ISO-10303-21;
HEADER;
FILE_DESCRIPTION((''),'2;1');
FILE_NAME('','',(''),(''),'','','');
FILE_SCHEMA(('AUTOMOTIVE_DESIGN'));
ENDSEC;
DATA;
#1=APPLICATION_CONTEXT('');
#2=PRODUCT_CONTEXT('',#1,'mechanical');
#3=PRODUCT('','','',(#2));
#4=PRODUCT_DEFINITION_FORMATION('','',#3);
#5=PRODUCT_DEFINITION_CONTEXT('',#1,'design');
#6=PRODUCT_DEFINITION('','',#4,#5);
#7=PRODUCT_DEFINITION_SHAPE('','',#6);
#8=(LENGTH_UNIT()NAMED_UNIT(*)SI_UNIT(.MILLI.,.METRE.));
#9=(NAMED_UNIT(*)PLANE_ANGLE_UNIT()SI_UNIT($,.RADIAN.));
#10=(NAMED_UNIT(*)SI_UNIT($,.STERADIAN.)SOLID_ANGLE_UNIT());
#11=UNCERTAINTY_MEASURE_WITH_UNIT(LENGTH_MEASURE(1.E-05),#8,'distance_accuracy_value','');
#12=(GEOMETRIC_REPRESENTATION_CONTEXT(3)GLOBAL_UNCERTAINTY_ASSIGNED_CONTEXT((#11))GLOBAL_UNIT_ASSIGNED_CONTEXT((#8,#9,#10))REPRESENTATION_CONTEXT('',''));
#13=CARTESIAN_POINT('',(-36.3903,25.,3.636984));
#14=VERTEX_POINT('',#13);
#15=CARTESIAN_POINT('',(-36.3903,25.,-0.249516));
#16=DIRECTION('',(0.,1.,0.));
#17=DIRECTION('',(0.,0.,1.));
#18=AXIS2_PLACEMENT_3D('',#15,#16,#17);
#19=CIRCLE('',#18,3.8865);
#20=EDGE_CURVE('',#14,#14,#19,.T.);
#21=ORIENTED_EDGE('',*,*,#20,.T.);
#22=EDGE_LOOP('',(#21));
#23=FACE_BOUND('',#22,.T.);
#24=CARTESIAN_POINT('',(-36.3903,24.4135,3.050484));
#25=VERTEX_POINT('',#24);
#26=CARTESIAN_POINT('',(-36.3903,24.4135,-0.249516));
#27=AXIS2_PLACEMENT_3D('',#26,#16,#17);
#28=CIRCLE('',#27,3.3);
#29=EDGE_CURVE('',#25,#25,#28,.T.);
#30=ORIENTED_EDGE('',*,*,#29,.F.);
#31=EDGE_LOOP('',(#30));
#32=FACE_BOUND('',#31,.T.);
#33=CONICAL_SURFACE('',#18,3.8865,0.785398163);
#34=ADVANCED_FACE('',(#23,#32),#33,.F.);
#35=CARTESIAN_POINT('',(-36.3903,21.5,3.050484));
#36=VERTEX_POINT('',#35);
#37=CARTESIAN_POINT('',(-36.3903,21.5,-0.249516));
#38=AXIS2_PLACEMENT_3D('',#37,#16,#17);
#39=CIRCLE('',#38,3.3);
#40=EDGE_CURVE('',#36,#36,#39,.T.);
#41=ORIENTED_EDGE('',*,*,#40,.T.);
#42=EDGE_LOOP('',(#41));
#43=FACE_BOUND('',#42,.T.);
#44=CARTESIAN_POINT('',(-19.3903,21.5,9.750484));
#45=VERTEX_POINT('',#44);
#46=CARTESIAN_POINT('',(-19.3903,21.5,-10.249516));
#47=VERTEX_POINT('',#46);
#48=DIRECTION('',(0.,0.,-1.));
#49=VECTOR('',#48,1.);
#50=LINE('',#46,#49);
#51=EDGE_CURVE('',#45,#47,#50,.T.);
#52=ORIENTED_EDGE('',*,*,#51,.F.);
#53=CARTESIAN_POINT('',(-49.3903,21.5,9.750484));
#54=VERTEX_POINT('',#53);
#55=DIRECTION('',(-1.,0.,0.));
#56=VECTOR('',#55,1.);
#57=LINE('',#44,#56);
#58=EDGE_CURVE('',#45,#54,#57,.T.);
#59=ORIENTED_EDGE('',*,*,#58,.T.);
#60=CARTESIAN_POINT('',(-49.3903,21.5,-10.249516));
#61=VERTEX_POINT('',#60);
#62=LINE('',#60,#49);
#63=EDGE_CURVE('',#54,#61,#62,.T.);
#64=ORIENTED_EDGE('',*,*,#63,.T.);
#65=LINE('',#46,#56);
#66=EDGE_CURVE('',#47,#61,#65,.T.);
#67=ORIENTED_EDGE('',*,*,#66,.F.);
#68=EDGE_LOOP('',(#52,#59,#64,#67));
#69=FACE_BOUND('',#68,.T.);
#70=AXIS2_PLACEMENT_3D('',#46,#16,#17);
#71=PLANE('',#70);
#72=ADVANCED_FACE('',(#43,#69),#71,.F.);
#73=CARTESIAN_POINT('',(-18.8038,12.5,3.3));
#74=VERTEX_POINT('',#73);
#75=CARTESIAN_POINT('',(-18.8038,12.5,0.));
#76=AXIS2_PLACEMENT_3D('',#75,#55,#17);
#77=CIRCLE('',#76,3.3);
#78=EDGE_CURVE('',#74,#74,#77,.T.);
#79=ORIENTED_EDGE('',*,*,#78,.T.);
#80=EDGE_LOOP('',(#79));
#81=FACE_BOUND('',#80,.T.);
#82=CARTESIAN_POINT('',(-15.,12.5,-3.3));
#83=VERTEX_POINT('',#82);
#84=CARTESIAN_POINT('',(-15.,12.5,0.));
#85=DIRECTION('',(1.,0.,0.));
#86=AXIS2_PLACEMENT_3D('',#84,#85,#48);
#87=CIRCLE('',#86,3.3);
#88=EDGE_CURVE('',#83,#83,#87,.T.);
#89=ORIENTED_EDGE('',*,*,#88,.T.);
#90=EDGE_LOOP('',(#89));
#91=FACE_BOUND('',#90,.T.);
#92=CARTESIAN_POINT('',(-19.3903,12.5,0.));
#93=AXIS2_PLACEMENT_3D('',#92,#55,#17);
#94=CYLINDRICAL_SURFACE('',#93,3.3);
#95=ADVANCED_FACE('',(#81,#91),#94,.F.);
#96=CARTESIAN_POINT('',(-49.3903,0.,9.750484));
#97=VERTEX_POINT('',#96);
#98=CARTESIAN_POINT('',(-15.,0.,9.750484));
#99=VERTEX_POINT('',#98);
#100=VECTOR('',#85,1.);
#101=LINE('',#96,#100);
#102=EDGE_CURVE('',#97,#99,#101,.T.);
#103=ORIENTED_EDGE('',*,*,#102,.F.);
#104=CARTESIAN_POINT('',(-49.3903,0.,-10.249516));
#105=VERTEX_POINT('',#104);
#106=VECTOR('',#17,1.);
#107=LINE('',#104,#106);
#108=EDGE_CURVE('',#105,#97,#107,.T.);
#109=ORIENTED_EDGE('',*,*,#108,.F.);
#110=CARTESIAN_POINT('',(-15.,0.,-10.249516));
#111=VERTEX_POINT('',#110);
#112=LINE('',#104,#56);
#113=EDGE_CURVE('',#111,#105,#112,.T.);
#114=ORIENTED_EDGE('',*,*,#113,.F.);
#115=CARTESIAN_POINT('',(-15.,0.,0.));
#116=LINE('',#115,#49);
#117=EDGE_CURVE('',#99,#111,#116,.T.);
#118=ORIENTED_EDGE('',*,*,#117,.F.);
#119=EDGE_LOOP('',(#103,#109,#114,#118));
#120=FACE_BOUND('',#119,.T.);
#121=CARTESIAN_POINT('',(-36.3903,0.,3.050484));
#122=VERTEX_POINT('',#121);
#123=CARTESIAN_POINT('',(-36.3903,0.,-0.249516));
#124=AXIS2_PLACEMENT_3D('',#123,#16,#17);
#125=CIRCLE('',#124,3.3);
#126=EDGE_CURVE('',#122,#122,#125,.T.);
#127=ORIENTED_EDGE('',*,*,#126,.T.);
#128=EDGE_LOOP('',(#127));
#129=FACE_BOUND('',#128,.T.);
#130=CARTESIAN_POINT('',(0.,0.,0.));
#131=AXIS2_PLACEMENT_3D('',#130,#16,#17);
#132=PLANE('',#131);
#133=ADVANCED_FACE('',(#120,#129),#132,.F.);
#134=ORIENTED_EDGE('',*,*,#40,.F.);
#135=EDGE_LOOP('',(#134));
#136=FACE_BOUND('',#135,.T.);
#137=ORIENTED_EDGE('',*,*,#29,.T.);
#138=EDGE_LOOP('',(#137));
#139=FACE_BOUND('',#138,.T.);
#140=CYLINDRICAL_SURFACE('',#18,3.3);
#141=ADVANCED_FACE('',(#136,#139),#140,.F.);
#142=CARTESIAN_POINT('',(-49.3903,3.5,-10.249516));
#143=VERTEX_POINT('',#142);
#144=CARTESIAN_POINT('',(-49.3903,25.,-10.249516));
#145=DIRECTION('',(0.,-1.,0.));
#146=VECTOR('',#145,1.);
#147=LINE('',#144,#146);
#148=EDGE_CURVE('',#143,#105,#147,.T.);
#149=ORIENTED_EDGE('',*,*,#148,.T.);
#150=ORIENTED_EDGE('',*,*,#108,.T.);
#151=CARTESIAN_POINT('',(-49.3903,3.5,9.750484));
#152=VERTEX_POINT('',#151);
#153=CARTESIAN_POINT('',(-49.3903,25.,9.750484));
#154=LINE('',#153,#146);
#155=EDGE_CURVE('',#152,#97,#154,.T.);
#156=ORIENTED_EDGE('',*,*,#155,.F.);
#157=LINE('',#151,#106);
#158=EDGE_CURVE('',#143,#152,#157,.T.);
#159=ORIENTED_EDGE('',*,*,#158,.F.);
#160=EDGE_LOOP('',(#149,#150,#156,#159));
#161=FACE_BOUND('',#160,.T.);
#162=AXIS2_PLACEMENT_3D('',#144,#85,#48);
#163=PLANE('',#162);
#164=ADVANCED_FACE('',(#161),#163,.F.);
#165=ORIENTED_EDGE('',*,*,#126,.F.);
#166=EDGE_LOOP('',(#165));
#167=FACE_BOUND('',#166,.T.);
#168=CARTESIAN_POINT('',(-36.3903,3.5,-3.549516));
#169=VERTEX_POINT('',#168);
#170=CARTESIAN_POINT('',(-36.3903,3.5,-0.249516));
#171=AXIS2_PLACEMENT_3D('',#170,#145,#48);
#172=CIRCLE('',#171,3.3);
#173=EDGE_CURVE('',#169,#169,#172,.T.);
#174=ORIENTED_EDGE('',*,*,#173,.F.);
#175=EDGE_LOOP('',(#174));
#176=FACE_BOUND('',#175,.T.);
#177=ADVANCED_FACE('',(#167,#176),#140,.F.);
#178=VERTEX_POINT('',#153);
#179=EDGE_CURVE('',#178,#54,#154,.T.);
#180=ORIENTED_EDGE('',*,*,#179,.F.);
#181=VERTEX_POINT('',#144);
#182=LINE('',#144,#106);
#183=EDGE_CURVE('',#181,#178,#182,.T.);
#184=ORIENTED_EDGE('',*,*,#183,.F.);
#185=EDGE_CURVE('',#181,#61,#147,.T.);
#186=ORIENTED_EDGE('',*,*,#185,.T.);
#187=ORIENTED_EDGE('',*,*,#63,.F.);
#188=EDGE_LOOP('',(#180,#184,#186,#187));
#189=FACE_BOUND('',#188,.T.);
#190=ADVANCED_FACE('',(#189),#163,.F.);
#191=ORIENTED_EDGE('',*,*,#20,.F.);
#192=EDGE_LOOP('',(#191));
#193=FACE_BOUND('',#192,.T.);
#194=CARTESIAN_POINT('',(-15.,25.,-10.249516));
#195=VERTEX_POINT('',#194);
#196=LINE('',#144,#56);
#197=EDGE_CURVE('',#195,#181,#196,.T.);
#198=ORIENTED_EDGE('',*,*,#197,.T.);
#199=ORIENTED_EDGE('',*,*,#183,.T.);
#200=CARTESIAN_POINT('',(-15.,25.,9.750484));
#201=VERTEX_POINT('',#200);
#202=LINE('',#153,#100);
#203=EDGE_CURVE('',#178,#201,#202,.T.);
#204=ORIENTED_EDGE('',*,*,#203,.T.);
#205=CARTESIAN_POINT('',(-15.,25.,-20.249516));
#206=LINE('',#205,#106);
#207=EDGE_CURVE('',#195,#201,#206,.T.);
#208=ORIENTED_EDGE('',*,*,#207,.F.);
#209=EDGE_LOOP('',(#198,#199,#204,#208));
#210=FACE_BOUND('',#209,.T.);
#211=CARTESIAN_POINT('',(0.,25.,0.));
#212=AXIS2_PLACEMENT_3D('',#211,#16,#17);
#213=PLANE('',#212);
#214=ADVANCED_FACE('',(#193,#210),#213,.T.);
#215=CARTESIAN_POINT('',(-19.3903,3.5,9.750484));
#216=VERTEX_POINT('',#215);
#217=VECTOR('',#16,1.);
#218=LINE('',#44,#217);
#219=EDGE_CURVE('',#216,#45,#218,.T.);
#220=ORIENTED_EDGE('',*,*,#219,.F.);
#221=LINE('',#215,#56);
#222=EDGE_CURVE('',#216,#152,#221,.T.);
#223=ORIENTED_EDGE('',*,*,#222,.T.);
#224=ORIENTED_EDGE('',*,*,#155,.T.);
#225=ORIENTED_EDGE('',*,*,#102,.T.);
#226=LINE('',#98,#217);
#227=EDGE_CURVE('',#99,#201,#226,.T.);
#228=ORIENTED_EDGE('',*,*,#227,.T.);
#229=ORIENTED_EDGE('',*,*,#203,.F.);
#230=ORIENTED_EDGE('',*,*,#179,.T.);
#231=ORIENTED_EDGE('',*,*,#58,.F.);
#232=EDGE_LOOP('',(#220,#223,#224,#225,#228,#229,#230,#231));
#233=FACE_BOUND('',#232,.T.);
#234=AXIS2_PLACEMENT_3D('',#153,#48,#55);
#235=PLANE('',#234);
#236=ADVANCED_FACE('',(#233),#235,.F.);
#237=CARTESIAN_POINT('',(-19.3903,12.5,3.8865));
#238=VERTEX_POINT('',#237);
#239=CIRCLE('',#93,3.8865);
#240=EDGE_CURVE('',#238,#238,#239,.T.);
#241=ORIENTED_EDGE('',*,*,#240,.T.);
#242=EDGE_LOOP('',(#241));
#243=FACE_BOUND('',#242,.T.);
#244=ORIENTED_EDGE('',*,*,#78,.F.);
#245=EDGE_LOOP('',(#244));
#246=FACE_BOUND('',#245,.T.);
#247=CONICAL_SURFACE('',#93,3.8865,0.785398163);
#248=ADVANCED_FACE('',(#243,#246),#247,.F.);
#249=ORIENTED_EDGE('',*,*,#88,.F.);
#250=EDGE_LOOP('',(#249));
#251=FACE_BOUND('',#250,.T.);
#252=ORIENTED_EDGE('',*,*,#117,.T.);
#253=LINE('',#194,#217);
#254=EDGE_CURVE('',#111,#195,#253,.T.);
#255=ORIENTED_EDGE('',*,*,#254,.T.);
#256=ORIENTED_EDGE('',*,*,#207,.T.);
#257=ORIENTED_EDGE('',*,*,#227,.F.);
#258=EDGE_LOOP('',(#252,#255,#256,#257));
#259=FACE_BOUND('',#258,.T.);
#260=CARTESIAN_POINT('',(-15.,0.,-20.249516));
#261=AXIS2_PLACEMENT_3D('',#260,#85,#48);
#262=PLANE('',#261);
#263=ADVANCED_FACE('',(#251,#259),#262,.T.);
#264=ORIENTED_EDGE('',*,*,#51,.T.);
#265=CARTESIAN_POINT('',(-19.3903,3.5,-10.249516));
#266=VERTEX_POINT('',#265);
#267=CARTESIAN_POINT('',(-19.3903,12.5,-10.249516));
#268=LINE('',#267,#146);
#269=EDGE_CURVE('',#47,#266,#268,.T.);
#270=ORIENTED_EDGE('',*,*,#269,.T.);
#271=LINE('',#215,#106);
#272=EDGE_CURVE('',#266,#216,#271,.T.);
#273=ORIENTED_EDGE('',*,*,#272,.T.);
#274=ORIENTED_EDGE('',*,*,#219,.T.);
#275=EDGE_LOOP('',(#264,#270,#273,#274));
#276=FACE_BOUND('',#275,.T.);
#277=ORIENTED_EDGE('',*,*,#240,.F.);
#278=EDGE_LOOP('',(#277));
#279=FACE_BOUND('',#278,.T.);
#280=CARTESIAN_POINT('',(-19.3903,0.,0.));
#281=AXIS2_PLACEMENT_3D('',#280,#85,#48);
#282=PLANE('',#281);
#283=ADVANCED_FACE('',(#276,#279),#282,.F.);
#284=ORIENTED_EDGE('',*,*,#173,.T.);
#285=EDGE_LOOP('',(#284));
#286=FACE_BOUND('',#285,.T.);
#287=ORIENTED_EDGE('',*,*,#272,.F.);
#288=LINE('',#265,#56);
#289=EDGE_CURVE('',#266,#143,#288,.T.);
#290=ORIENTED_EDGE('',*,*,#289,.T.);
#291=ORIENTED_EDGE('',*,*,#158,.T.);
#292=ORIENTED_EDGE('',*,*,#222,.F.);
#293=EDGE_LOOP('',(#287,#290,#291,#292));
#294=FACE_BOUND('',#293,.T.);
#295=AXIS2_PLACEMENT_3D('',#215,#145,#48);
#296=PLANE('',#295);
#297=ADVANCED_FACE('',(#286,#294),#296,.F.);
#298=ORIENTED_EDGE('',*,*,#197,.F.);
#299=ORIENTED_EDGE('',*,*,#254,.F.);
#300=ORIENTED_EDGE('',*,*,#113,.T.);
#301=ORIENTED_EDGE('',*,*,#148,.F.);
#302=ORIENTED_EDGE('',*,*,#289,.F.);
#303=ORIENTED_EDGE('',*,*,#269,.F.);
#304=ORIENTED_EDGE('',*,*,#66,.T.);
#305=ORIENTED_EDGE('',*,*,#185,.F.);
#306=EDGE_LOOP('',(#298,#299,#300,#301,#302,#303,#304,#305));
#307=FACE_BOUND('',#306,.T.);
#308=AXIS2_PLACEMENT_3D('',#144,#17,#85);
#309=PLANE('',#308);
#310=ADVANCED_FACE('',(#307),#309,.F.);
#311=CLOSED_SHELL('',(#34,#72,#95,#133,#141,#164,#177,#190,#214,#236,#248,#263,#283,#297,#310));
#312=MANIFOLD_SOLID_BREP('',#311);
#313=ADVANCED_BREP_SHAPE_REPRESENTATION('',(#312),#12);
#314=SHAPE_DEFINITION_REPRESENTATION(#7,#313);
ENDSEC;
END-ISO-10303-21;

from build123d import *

# Parameters (mm, degrees)
SKETCH_1_W                      = 120
SKETCH_1_H                      = 20
EXTRUDE_1_DEPTH                 = 25
CUT_EXTRUDE_1_DEPTH             = 30
SKETCH_3_W                      = 15
SKETCH_3_H                      = 25
SKETCH_3_W_2                    = 70.609699787
CUT_EXTRUDE_2_DEPTH             = 30
HOLE_WIZARD_G1_16_1_D           = 6.6
HOLE_WIZARD_G1_16_1_DEPTH       = 30
HOLE_WIZARD_G1_16_1_CSINK_D     = 7.773
HOLE_WIZARD_G1_16_1_CSINK_ANGLE = 90
HOLE_WIZARD_G1_16_1_TIP         = 1.982840043
HOLE_WIZARD_G1_16_2_D           = 6.6
HOLE_WIZARD_G1_16_2_DEPTH       = 30
HOLE_WIZARD_G1_16_2_CSINK_D     = 7.773
HOLE_WIZARD_G1_16_2_CSINK_ANGLE = 90
HOLE_WIZARD_G1_16_2_TIP         = 1.982840043


with BuildPart() as part:
    # 草图1 → 凸台-拉伸1 (new body)
    with BuildSketch(Plane(origin=(0, 0, 0), x_dir=(1, 0, 0), z_dir=(0, 1, 0))):
        with Locations((10.609699787, 0.249516379)):
            Rectangle(SKETCH_1_W, SKETCH_1_H)
    extrude(amount=EXTRUDE_1_DEPTH)

    # 草图2 → 切除-拉伸1 (cut)
    with BuildSketch(Plane.ZY.offset(49.390300213)):
        Polygon((-10.249516379, 12.5), (-10.249516379, 21.5), (9.750483621, 21.5), (9.750483621, 3.5), (-10.249516379, 3.5), align=None)
    extrude(amount=-CUT_EXTRUDE_1_DEPTH, mode=Mode.SUBTRACT)

    # 草图3 → 切除-拉伸2 (cut)
    with BuildSketch(Plane.XY.offset(9.750483621)):
        with Locations((-7.5, 12.5)):
            Rectangle(SKETCH_3_W, SKETCH_3_H)
        with Locations((35.304849894, 12.5)):
            Rectangle(SKETCH_3_W_2, SKETCH_3_H)
    extrude(amount=-CUT_EXTRUDE_2_DEPTH, mode=Mode.SUBTRACT)

    # G1/16 螺纹孔1
    with Locations(Plane(origin=(0, 25, 0), x_dir=(1, 0, 0), z_dir=(0, 1, 0))):
        with Locations((-36.390300213, 0.249516379)):
            CounterSinkHole(HOLE_WIZARD_G1_16_1_D / 2, HOLE_WIZARD_G1_16_1_CSINK_D / 2, depth=HOLE_WIZARD_G1_16_1_DEPTH, counter_sink_angle=HOLE_WIZARD_G1_16_1_CSINK_ANGLE)
            with Locations((0, 0, -(HOLE_WIZARD_G1_16_1_DEPTH + HOLE_WIZARD_G1_16_1_TIP / 2))):  # 118° drill point
                Cone(0, HOLE_WIZARD_G1_16_1_D / 2, HOLE_WIZARD_G1_16_1_TIP, mode=Mode.SUBTRACT)

    # G1/16 螺纹孔2
    with Locations(Plane.ZY.offset(19.390300213)):
        with Locations((0, 12.5)):
            CounterSinkHole(HOLE_WIZARD_G1_16_2_D / 2, HOLE_WIZARD_G1_16_2_CSINK_D / 2, depth=HOLE_WIZARD_G1_16_2_DEPTH, counter_sink_angle=HOLE_WIZARD_G1_16_2_CSINK_ANGLE)
            with Locations((0, 0, -(HOLE_WIZARD_G1_16_2_DEPTH + HOLE_WIZARD_G1_16_2_TIP / 2))):  # 118° drill point
                Cone(0, HOLE_WIZARD_G1_16_2_D / 2, HOLE_WIZARD_G1_16_2_TIP, mode=Mode.SUBTRACT)


solid = part.part
